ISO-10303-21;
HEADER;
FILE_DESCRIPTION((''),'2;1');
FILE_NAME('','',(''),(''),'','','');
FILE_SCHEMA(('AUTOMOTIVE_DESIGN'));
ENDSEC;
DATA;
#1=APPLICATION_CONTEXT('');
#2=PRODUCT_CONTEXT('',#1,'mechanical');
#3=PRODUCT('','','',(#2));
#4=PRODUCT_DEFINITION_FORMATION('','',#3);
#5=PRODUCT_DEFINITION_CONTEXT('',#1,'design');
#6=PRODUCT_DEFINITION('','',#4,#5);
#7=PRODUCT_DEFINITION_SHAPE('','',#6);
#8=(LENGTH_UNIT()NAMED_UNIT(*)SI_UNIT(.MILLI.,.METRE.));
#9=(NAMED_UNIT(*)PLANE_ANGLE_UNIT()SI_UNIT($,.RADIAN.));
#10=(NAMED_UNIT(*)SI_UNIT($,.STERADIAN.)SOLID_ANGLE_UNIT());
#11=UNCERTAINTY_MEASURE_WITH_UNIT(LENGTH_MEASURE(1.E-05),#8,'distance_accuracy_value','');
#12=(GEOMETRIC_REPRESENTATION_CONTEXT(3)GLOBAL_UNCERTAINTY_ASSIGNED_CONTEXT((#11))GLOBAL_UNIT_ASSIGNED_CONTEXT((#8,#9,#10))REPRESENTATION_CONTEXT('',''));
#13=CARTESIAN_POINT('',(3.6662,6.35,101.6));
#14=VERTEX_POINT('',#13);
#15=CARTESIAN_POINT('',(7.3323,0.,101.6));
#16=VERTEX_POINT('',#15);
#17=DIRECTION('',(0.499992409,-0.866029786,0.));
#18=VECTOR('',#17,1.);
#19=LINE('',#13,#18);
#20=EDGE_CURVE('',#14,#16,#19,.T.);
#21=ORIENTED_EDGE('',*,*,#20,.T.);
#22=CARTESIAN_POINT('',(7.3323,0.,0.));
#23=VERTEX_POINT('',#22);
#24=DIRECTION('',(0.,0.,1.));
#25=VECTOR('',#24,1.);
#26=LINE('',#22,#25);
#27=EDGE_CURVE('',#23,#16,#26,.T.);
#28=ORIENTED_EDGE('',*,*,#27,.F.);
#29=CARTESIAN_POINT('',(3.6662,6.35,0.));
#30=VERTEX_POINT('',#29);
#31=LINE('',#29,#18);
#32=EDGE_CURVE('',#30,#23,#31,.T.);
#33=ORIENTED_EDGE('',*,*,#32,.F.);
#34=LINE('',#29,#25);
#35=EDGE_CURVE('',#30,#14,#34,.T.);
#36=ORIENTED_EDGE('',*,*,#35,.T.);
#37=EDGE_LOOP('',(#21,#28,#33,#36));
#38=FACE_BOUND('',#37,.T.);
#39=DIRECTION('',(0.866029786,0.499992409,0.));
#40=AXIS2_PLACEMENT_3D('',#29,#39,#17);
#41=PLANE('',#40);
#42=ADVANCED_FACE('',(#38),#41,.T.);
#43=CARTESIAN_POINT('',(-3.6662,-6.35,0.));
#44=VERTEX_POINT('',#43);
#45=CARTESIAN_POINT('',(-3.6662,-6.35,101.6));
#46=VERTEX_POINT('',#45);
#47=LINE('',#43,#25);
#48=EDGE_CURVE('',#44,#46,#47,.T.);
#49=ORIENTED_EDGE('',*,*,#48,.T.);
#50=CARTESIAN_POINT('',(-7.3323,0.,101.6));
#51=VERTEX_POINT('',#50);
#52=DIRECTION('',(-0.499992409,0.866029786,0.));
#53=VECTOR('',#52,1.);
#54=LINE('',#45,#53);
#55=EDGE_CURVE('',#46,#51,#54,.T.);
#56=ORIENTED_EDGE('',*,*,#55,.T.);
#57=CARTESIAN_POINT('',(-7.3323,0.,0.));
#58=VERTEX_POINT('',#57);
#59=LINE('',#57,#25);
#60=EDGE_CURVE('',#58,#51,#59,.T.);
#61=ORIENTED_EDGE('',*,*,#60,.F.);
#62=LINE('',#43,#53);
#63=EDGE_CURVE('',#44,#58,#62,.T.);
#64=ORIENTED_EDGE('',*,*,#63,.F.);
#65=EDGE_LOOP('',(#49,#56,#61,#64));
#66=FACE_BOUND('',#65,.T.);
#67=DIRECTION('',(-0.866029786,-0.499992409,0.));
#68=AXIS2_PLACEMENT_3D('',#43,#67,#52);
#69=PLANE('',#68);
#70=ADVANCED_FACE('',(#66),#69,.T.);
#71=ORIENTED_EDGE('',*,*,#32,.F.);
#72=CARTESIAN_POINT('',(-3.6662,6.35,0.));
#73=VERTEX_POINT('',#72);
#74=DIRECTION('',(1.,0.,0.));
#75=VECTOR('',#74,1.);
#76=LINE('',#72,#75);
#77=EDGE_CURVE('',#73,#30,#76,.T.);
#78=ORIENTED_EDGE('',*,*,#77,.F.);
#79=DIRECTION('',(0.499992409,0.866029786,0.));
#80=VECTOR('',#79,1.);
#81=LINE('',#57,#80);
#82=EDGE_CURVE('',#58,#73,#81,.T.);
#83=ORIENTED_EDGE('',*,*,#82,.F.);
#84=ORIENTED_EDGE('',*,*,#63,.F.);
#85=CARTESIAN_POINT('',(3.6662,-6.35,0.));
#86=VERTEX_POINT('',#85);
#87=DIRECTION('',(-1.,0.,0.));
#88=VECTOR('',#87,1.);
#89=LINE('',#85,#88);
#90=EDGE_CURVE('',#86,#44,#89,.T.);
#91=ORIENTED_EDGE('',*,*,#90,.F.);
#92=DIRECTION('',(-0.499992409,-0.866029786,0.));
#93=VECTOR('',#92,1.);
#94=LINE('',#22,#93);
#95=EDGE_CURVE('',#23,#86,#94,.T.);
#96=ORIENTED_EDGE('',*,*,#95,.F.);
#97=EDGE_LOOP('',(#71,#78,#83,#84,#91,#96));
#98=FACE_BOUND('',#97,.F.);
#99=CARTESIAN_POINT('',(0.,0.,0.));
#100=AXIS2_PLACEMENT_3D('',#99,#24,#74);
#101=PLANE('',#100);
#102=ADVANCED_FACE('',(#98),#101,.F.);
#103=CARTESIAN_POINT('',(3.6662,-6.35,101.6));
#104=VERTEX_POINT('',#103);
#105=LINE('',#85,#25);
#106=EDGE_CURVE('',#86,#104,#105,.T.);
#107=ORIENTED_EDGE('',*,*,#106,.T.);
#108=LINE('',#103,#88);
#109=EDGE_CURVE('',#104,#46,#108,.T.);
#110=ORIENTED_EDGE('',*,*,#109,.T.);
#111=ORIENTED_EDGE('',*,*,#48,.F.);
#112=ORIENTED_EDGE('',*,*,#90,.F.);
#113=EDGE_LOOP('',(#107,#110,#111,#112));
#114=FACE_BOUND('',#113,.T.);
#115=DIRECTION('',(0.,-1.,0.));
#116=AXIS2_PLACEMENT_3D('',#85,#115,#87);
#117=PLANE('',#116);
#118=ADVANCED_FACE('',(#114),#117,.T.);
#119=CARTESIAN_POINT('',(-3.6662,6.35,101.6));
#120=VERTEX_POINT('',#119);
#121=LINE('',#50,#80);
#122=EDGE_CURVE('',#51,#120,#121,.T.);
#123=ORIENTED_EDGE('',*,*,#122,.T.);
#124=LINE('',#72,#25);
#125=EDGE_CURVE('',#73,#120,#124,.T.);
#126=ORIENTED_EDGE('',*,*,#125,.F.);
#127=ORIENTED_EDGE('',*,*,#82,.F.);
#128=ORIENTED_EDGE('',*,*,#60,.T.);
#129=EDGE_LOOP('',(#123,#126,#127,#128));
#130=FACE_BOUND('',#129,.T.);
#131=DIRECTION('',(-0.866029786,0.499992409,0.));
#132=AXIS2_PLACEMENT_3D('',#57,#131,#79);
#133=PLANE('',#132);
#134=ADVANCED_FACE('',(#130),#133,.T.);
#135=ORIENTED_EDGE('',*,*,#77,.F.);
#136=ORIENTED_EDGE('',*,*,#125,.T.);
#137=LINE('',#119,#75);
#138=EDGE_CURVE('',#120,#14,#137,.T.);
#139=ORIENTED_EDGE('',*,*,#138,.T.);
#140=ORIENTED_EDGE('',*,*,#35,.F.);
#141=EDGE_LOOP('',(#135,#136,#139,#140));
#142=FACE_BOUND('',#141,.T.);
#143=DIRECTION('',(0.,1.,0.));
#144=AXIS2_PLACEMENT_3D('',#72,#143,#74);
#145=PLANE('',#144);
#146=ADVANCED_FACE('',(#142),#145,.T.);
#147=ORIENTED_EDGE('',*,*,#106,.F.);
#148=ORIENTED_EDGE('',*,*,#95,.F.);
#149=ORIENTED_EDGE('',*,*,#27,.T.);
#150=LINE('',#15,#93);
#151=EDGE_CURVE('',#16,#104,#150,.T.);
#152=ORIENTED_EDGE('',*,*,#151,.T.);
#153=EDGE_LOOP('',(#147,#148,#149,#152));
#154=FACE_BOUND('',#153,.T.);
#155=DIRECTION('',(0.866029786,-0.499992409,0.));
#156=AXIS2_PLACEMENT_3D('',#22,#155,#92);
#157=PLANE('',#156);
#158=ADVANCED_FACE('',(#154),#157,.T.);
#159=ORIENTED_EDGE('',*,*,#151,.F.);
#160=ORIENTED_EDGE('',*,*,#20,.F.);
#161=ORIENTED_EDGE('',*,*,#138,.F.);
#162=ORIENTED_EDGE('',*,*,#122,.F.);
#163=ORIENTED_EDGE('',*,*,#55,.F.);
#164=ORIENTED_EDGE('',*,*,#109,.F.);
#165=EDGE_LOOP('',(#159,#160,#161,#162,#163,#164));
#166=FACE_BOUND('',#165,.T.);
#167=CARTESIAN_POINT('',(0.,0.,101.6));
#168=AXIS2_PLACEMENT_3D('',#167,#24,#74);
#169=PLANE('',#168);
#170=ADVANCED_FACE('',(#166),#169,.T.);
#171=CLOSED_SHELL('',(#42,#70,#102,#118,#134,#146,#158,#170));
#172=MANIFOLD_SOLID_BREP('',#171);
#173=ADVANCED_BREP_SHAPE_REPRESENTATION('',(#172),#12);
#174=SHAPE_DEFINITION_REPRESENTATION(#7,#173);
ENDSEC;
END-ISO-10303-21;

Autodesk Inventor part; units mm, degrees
ref_plane "YZ Plane" through (0, 0, 0) normal (1, 0, 0) x (0, 1, 0)
ref_plane "XZ Plane" through (0, 0, 0) normal (0, 1, 0) x (-1, 0, 0)
ref_plane "XY Plane" through (0, 0, 0) normal (0, 0, 1) x (1, 0, 0)
sketch "Sketch1" plane through (0, 0, 0) normal (0, 0, 1) x (1, 0, 0)
  line L0 (3.6662, 6.35) -> (7.3323, 0)
  line L1 (7.3323, 0) -> (3.6662, -6.35)
  line L2 (3.6662, -6.35) -> (-3.6662, -6.35)
  line L3 (-3.6662, -6.35) -> (-7.3323, 0)
  line L4 (-7.3323, 0) -> (-3.6662, 6.35)
  line L5 (-3.6662, 6.35) -> (3.6662, 6.35)
  point P0 (0, 0)
  point P1 (0, 0)
  dimension "d0" = 12.7
extrude "Extrusion1" add sketch "Sketch1" along normal blind 101.6
properties part number "hex rod 4 inch" material "Steel, Alloy"
